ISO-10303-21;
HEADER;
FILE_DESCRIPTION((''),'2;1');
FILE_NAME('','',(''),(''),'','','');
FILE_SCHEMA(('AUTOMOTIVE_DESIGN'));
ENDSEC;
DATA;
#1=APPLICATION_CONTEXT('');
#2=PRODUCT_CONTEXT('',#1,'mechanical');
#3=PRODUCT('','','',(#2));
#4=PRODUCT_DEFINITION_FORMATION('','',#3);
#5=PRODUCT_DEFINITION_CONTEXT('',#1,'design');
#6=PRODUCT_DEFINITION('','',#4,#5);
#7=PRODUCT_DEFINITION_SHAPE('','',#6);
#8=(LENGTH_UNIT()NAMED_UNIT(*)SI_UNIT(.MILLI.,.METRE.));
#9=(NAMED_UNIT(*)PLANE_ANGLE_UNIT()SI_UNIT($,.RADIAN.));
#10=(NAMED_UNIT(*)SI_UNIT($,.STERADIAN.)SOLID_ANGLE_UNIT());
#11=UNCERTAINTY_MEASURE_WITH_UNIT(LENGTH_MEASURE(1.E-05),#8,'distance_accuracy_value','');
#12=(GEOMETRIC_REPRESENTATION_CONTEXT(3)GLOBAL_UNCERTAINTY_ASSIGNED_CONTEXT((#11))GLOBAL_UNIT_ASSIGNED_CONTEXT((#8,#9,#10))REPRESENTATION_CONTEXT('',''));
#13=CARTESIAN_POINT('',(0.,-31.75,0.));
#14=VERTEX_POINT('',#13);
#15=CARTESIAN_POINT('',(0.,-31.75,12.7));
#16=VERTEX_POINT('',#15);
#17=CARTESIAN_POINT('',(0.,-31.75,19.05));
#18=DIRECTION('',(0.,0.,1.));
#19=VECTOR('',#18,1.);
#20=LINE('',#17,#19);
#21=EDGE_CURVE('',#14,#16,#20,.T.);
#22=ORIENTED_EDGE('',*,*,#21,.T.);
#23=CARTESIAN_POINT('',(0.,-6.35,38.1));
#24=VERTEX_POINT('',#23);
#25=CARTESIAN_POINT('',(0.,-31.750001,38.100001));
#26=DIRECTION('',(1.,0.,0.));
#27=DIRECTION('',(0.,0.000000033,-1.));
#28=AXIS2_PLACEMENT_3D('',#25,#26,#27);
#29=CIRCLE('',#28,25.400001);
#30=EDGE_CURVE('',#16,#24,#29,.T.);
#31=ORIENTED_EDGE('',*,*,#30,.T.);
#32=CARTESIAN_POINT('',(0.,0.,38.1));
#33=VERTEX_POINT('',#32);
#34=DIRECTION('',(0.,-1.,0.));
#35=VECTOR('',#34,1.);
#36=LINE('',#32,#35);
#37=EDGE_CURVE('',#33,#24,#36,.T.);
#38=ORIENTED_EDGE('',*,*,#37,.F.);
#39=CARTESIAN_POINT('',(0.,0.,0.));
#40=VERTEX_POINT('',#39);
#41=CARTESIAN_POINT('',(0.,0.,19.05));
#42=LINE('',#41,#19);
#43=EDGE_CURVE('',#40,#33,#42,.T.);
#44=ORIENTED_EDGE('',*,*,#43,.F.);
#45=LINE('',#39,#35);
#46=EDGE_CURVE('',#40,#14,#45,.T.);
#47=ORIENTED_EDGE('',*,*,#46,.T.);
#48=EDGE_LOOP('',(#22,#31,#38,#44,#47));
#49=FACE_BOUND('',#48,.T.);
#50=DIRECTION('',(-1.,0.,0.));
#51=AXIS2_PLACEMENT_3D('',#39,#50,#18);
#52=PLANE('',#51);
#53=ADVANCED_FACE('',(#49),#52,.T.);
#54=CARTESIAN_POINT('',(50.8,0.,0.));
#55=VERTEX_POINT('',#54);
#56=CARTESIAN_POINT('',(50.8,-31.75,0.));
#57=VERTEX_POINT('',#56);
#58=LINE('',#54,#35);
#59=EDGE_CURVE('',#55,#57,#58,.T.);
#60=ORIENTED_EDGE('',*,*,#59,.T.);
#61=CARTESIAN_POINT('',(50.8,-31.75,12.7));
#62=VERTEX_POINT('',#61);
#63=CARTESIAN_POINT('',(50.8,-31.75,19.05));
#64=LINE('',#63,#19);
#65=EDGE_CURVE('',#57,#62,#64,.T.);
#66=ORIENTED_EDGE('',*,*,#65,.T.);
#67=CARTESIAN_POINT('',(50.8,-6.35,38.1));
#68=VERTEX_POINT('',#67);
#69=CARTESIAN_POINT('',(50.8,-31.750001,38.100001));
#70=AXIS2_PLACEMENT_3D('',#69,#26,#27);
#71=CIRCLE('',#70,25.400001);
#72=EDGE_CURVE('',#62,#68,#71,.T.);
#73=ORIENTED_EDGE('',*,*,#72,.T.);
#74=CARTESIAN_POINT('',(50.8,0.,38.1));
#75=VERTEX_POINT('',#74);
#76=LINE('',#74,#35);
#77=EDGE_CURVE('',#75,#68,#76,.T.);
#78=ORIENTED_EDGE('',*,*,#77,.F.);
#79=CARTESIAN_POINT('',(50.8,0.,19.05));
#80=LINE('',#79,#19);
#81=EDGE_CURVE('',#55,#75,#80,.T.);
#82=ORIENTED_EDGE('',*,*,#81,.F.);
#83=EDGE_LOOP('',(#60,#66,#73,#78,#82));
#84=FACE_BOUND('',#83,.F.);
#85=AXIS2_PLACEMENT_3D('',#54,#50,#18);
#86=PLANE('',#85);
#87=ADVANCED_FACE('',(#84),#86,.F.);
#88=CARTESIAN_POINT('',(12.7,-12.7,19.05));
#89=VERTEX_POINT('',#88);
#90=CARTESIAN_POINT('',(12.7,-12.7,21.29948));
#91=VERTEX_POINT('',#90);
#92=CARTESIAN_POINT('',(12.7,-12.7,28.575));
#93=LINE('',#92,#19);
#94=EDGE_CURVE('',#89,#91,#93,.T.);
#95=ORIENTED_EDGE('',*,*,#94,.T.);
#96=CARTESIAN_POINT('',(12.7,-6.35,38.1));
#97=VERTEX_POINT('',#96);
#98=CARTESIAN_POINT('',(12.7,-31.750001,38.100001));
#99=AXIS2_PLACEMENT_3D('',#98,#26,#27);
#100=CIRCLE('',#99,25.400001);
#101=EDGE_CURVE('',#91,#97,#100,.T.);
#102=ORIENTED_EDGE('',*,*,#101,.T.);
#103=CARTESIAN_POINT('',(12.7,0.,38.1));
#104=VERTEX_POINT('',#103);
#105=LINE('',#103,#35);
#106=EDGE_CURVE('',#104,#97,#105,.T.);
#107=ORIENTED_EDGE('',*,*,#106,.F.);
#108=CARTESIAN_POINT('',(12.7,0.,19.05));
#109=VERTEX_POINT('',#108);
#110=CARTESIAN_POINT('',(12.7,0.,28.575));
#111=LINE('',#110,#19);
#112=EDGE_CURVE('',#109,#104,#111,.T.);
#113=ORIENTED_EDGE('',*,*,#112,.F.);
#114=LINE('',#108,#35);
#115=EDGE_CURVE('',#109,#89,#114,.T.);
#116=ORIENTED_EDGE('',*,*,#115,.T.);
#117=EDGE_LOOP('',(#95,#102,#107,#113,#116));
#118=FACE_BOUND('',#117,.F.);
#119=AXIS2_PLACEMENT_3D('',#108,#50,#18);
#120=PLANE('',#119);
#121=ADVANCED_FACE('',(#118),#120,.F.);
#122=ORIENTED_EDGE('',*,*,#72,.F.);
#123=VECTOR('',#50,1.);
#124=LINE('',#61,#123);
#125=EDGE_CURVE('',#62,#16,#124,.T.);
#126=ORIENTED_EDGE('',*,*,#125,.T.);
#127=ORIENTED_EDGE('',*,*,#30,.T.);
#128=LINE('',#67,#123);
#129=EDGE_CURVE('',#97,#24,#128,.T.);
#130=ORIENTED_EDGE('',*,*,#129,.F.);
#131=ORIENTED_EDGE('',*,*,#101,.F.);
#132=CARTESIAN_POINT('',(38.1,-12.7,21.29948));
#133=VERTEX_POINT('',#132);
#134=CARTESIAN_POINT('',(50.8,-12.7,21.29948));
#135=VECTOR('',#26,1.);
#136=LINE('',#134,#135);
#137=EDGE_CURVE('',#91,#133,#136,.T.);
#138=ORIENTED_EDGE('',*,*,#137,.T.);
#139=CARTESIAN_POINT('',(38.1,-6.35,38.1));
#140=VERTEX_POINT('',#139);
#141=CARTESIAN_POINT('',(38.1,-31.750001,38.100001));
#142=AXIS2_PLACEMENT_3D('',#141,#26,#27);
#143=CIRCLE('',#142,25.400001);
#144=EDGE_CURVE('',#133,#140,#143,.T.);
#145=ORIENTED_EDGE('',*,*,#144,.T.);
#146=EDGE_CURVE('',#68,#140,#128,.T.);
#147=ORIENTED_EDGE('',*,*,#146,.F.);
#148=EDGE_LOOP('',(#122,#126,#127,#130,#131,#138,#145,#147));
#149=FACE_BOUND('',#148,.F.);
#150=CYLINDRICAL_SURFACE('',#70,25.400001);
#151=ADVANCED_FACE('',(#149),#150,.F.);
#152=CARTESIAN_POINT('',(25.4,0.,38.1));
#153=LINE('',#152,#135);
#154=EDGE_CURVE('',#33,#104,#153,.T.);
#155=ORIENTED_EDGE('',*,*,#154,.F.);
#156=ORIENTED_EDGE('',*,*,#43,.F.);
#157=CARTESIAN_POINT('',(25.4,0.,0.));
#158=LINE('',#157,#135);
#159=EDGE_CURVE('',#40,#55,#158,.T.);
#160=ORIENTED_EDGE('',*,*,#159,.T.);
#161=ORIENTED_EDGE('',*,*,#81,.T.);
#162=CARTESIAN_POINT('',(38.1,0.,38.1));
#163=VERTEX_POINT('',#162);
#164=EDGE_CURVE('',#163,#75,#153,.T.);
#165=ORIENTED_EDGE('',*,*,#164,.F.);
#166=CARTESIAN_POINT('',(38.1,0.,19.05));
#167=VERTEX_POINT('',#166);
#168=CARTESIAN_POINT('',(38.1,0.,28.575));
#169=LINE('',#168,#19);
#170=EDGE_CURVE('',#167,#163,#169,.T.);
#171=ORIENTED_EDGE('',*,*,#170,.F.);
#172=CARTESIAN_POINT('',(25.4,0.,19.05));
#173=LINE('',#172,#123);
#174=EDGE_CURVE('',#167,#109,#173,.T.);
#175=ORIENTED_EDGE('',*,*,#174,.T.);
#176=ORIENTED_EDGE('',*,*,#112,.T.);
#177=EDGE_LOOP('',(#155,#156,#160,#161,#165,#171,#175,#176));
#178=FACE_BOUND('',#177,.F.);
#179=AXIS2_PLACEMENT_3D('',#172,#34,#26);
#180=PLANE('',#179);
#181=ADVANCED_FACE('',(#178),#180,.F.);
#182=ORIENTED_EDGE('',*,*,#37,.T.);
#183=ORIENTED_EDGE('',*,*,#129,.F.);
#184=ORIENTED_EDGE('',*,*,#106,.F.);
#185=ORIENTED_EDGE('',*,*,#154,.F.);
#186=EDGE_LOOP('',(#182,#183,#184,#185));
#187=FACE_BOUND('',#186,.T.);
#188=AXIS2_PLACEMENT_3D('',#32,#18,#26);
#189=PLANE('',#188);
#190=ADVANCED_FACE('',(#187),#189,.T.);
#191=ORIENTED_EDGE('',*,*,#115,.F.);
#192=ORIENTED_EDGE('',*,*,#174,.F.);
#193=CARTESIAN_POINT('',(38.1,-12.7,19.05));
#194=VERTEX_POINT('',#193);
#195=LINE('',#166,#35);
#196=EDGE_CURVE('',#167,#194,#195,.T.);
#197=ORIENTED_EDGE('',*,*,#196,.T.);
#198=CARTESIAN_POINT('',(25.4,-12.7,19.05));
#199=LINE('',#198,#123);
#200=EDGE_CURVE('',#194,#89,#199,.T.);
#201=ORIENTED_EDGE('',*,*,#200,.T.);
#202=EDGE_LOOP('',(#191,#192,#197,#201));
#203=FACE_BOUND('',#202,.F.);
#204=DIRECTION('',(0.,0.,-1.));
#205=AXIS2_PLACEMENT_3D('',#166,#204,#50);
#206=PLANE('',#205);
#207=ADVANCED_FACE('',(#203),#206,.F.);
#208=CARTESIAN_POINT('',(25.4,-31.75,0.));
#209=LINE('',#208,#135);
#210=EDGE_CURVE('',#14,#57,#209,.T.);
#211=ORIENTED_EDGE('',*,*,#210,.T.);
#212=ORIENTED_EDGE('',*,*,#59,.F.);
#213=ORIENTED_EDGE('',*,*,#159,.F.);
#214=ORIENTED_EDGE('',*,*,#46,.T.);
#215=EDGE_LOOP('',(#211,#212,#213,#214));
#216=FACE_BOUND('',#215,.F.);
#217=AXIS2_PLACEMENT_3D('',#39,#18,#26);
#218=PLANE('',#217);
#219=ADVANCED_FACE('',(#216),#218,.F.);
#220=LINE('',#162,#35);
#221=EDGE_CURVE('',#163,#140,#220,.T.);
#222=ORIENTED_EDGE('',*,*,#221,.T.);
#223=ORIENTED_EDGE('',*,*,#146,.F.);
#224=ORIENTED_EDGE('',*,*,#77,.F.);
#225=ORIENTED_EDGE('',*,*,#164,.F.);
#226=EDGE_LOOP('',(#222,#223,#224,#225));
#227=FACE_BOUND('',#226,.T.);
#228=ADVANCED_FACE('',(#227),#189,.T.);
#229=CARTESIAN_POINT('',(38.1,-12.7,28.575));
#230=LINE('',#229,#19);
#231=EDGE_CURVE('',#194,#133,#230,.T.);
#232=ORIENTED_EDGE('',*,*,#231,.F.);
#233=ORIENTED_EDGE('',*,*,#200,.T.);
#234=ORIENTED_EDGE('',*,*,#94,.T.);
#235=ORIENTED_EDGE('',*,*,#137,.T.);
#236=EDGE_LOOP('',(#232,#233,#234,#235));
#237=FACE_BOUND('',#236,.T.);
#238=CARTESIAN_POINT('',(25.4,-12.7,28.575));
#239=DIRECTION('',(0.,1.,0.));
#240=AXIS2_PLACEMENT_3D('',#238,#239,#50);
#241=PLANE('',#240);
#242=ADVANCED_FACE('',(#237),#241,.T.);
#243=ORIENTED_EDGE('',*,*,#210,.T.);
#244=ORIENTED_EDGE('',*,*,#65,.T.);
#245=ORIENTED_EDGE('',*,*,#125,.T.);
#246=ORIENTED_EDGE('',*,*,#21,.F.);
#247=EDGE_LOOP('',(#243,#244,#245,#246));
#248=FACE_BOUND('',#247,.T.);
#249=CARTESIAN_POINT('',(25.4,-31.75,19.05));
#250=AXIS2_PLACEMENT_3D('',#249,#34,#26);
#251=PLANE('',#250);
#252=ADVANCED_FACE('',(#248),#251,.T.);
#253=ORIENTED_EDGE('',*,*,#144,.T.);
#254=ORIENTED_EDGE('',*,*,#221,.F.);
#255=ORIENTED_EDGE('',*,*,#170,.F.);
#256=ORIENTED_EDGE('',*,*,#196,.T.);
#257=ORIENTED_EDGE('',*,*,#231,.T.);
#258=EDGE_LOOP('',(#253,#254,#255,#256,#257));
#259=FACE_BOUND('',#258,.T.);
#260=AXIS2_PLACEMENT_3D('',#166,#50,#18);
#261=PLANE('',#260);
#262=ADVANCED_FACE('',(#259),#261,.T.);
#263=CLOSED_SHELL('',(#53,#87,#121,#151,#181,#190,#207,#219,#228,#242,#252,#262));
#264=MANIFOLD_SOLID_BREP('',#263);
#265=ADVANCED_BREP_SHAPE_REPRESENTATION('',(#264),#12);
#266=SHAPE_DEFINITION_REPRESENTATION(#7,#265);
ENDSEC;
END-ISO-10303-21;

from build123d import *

# Parameters (mm, degrees)
F0_W     = 50.8
F0_H     = 38.1
F1_DEPTH = 31.75
F2_W     = 25.4
F2_H     = 19.05
F3_DEPTH = 12.7
F5_DEPTH = 50.8


with BuildPart() as f1:
    # F0 (on Front) → F1 (new body)
    with BuildSketch(Plane.XZ):
        with Locations((25.4, 19.05)):
            Rectangle(F0_W, F0_H)
    extrude(amount=F1_DEPTH)

    # F2 (on face) → F3 (cut)
    with BuildSketch(Plane(origin=(0, 0, 0), x_dir=(-1, 0, 0), z_dir=(0, 1, 0))):
        with Locations((-25.4, 28.575)):
            Rectangle(F2_W, F2_H)
    extrude(amount=-F3_DEPTH, mode=Mode.SUBTRACT)

    # F4 (on face) → F5 (cut)
    with BuildSketch(Plane.YZ.offset(50.8)):
        with BuildLine():
            Line((-31.75, 38.1), (-6.35, 38.1))
            ThreePointArc((-6.35, 38.1), (-49.710512, 56.060512), (-31.75, 12.7))
            Line((-31.75, 12.7), (-31.75, 38.1))
        make_face()
        with BuildLine():
            ThreePointArc((-31.75, 12.7), (-13.789488, 20.139488), (-6.35, 38.1))
            Line((-6.35, 38.1), (-31.75, 38.1))
            Line((-31.75, 38.1), (-31.75, 12.7))
        make_face()
    extrude(amount=-F5_DEPTH, mode=Mode.SUBTRACT)


solid = f1.part
